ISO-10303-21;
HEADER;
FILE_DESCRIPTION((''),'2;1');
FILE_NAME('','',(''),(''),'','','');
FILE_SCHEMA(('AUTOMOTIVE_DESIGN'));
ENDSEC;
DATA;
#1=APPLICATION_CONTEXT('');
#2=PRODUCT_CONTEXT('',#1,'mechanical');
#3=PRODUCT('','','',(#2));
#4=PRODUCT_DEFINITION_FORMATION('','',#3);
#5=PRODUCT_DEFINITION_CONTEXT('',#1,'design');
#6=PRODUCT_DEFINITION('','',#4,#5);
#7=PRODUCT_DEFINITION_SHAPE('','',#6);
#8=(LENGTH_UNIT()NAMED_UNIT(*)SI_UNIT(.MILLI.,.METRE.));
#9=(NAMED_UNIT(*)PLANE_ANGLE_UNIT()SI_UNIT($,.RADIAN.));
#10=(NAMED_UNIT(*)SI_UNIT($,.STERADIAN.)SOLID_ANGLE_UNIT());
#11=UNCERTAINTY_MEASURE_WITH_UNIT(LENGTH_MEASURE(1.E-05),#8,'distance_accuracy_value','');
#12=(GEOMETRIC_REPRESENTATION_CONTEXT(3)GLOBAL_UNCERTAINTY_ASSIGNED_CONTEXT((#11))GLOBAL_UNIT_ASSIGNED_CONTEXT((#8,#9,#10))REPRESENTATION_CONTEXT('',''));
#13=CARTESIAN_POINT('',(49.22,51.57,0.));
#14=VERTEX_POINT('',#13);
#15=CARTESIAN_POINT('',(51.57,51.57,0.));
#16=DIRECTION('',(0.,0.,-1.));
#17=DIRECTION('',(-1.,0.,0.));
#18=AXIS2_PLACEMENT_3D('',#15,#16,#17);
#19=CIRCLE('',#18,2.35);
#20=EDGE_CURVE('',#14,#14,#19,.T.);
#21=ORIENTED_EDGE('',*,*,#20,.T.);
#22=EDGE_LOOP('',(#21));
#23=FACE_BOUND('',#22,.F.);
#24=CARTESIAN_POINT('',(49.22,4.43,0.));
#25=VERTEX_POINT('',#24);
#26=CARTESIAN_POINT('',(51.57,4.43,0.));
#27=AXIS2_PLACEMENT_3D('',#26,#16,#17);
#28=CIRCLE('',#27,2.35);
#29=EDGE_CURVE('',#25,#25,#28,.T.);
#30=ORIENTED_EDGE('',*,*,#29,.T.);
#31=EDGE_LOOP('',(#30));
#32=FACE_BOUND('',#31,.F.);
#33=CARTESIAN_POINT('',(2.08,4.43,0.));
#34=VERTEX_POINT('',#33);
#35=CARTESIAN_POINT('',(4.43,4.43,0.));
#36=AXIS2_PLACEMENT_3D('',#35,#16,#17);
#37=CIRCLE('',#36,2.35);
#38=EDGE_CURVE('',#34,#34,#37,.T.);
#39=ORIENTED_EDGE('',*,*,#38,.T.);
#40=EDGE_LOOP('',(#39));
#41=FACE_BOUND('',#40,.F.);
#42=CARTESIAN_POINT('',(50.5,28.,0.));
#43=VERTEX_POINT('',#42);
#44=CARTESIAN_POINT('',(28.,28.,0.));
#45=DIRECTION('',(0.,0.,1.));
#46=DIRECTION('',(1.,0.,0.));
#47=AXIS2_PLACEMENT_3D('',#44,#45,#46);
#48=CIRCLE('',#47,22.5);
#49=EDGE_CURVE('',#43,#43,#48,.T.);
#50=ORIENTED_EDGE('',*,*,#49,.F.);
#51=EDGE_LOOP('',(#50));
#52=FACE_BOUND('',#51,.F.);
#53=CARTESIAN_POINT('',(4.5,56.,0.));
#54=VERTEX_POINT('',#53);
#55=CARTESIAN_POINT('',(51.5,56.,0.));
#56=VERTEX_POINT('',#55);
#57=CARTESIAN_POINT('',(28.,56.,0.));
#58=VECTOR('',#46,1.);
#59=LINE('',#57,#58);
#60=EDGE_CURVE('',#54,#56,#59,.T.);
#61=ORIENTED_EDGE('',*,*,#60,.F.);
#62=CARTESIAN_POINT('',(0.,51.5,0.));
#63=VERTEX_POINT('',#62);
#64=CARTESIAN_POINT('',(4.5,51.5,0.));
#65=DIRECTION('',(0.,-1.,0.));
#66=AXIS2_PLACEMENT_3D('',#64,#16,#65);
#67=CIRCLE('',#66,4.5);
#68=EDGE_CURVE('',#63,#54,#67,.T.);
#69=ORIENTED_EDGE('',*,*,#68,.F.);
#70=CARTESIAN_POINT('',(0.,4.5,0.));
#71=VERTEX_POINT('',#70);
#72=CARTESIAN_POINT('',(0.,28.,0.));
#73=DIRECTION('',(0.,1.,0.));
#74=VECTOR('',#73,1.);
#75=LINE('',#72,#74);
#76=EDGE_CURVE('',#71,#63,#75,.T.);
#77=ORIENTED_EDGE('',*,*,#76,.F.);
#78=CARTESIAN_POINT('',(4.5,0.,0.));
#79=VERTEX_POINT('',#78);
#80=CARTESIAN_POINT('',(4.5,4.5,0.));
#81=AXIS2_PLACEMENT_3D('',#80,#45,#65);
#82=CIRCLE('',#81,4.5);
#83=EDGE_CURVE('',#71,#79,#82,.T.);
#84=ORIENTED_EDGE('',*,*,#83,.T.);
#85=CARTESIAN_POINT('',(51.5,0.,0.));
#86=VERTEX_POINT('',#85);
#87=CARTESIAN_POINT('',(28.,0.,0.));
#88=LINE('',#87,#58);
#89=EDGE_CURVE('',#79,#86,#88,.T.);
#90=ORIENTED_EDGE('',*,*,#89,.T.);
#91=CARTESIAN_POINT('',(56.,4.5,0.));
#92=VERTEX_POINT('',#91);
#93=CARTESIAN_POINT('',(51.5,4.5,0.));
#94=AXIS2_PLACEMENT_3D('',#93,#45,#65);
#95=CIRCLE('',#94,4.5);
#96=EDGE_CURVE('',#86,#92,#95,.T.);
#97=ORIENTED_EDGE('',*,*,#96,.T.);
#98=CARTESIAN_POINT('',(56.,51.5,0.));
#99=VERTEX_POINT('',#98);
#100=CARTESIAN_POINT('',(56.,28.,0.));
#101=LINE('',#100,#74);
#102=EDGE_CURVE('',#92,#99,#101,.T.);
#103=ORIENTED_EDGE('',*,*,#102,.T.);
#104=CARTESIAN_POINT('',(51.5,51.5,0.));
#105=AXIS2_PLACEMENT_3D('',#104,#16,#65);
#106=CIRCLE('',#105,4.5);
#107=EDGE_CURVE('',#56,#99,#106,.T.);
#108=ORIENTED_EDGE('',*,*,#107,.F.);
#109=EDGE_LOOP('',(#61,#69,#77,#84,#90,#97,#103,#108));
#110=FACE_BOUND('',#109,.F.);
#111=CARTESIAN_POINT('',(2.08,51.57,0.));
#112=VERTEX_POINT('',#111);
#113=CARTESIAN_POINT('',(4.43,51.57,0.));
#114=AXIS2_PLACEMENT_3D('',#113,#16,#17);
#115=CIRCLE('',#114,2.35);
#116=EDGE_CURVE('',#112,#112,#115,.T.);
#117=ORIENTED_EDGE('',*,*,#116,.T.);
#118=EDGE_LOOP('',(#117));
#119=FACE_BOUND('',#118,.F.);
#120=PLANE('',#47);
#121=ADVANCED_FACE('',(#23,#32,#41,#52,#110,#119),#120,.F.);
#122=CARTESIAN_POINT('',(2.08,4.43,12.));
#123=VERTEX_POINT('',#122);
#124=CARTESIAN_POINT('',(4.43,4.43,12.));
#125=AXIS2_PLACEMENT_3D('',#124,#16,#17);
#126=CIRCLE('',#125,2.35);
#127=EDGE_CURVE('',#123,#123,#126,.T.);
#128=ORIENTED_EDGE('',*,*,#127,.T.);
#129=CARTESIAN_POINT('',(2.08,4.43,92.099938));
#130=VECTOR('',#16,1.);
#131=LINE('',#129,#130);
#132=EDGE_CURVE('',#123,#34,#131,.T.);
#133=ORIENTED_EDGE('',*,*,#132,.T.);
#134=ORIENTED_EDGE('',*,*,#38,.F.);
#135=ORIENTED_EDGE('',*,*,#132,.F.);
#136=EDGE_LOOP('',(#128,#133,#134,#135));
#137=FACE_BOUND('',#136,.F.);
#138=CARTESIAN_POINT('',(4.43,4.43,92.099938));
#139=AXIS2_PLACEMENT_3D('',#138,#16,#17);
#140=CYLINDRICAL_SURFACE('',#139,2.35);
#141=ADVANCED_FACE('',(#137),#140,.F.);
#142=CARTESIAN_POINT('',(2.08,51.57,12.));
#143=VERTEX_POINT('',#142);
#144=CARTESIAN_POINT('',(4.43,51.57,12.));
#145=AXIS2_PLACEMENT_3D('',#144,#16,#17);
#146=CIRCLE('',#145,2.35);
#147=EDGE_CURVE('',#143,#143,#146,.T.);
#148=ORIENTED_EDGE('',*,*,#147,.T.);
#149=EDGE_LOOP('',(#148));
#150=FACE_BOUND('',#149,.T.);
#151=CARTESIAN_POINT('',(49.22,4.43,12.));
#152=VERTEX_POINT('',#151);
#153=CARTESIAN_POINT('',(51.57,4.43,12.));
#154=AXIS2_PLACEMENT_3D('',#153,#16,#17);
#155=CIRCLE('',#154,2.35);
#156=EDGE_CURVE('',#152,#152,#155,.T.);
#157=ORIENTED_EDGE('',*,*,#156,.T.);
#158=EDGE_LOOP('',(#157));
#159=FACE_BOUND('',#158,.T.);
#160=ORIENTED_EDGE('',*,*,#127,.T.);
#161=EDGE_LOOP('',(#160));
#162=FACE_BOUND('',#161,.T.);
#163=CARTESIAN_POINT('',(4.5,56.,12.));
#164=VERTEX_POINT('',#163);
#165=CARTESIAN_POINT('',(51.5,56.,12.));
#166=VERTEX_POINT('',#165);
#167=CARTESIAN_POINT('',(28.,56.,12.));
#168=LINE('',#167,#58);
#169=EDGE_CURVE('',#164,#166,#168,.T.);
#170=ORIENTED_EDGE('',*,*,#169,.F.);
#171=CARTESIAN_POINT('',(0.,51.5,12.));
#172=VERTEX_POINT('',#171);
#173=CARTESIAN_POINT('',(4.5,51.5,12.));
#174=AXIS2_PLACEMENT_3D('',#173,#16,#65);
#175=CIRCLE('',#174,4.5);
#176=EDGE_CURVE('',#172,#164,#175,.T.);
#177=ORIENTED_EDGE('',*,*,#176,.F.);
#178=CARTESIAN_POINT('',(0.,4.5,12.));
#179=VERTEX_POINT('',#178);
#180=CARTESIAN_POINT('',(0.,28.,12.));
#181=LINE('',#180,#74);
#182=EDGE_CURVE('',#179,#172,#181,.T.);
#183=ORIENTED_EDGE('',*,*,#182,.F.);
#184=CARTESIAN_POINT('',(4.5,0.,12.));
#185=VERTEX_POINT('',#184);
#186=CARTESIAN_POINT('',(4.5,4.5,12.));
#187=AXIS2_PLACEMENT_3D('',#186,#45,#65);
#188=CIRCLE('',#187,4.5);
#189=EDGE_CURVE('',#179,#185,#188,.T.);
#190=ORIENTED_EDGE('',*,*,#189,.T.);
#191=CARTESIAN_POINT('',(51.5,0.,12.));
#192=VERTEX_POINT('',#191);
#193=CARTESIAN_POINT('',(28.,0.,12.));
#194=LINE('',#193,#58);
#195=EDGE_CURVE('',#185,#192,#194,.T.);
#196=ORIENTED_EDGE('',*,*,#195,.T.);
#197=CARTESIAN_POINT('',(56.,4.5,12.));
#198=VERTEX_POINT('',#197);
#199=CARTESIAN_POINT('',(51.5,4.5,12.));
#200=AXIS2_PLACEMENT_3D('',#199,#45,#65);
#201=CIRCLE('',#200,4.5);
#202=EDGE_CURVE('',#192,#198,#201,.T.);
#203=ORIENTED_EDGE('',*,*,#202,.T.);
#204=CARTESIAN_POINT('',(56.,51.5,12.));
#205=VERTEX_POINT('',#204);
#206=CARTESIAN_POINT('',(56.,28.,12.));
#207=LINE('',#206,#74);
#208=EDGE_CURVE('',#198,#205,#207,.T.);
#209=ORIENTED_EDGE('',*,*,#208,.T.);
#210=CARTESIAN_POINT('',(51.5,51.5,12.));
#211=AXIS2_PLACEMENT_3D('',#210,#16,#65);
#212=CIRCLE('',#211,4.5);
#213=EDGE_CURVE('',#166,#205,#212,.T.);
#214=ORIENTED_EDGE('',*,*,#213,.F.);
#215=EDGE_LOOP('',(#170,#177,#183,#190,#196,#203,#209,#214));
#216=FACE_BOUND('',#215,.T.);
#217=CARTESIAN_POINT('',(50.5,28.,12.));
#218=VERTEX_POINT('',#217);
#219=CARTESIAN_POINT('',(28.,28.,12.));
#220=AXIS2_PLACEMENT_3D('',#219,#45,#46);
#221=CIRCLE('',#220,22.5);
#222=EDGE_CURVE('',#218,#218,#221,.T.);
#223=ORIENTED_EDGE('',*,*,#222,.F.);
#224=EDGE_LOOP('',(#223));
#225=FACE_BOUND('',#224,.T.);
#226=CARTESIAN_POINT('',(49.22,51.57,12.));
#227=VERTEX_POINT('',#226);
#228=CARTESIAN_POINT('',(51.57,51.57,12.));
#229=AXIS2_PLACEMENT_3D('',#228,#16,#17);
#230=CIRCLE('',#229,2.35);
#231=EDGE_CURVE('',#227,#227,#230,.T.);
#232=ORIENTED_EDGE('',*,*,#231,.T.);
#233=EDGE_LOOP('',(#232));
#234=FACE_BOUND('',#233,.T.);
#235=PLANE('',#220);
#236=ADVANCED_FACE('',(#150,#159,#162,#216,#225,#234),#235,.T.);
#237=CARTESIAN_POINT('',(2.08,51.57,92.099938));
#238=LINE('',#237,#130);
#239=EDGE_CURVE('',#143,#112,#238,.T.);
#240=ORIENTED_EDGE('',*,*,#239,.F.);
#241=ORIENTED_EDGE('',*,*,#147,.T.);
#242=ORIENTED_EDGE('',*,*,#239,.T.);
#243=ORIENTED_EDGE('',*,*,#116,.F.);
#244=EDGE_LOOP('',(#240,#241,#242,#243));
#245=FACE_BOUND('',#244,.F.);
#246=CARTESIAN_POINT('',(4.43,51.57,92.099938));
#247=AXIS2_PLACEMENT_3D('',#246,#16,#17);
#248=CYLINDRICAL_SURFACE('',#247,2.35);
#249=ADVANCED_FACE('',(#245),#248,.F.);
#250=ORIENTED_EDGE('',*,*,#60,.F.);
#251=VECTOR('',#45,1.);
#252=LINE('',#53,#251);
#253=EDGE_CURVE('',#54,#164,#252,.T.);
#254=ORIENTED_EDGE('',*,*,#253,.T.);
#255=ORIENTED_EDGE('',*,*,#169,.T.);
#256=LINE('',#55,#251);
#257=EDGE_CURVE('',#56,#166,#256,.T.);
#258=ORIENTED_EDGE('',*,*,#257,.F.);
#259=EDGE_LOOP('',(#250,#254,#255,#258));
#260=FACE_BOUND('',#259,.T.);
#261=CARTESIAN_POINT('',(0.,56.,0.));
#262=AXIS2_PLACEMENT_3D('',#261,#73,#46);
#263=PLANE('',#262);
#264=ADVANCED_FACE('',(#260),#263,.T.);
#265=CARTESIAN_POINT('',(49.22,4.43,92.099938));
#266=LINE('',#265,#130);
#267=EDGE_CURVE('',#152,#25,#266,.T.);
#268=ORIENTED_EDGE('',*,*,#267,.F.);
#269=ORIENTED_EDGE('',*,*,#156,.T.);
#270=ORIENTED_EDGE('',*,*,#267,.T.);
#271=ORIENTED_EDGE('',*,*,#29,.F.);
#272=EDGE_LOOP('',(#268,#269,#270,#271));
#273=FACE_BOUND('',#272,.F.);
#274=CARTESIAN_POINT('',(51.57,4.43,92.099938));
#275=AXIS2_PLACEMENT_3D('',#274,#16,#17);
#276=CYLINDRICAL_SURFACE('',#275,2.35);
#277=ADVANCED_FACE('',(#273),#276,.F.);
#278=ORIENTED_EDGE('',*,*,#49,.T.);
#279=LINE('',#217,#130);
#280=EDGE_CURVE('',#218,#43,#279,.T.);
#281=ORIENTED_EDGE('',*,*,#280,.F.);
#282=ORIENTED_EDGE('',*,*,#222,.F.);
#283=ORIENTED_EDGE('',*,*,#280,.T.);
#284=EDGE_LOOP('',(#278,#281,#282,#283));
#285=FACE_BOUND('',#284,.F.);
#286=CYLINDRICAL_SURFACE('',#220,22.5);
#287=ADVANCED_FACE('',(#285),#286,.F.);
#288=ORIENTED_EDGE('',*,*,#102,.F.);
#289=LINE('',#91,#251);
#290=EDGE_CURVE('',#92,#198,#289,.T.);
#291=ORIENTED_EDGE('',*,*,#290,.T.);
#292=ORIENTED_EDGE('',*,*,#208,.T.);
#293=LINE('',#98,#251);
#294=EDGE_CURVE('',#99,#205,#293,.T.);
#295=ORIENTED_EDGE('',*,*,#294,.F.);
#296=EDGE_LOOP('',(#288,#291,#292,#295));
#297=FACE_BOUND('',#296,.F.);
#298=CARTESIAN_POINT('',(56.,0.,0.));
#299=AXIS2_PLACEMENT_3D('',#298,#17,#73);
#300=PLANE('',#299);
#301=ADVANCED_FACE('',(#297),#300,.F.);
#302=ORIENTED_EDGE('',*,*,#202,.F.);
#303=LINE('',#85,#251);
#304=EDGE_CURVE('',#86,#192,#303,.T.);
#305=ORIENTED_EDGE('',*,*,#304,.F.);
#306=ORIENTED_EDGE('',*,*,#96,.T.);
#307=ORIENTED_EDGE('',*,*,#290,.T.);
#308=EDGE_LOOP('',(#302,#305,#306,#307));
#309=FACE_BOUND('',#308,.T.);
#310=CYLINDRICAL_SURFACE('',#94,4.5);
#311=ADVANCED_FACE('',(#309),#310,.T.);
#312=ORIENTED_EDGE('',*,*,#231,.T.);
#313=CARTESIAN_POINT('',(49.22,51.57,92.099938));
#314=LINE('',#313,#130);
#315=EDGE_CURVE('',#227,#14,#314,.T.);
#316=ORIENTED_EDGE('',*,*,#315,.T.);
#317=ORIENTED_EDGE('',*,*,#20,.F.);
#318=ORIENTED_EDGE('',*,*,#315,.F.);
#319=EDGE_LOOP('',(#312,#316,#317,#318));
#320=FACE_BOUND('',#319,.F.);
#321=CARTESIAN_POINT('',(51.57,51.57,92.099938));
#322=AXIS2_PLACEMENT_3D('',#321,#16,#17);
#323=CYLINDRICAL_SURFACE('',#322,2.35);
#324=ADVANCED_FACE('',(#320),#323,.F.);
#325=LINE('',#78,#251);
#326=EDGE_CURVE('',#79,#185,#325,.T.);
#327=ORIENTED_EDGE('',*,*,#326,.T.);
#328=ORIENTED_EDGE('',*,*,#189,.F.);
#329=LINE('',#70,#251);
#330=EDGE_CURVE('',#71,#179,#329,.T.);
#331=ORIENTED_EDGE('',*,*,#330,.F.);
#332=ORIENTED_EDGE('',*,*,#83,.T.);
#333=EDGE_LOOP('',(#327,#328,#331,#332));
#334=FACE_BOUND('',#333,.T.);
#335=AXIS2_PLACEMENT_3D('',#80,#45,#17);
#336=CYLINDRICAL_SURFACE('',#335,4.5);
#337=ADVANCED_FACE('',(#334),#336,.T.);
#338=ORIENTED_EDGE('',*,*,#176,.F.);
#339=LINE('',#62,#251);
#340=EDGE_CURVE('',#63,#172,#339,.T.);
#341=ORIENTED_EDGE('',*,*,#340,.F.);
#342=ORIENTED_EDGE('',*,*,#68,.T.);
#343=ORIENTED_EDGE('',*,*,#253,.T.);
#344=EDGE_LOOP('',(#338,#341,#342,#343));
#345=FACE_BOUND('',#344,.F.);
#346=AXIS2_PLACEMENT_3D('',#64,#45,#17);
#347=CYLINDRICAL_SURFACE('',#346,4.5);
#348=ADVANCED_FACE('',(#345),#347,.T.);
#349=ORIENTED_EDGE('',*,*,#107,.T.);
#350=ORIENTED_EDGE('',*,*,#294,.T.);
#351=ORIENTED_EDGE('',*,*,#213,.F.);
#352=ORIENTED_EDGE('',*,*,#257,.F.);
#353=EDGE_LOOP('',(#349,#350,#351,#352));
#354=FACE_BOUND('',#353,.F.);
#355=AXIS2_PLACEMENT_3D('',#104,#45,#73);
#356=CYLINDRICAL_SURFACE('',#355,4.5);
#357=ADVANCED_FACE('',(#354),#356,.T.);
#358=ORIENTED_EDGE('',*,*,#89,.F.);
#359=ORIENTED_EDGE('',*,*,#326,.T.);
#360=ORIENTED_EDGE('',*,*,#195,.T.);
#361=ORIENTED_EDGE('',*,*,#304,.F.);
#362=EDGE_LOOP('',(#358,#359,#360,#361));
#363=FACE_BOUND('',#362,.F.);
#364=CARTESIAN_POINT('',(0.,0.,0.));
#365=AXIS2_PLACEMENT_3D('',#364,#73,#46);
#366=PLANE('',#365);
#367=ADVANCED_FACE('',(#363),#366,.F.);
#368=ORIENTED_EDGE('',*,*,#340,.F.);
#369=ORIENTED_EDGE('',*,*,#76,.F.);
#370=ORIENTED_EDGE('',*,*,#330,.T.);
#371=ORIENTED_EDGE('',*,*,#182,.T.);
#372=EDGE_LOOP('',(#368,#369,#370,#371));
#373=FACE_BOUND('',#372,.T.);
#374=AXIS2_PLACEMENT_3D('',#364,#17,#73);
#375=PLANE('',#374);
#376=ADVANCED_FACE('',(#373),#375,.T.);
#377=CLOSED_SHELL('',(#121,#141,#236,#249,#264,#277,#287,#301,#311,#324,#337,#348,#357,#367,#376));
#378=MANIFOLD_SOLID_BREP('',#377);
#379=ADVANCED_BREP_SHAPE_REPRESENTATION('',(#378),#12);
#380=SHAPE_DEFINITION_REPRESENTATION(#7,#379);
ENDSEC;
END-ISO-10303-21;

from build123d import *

# Parameters (mm, degrees)
F0_W     = 56
F0_H     = 56
F1_DEPTH = 12
F2_R     = 22.5
F3_DEPTH = 12
F5_D     = 4.7
F6_R     = 4.5


with BuildPart() as f1:
    # F0 (on Top) → F1 (new body)
    with BuildSketch(Plane.XY):
        with Locations((28, 28)):
            Rectangle(F0_W, F0_H)
    extrude(amount=F1_DEPTH)

    # F2 (on face) → F3 (cut, through all)
    with BuildSketch(Plane.XY.offset(12)):
        with Locations((28, 28)):
            Circle(F2_R)
    extrude(amount=-F3_DEPTH, mode=Mode.SUBTRACT)

    # F5 (through all)
    with Locations(Plane.XY.offset(12)):
        with Locations((4.43, 51.57), (51.57, 51.57), (51.57, 4.43), (4.43, 4.43)):
            Hole(F5_D / 2)

    # F6
    f6_edges = [f1.edges().sort_by_distance(p)[0] for p in [
        (56, 56, 6),
        (56, 0, 6),
        (0, 0, 6),
        (0, 56, 6),
    ]]
    fillet(f6_edges, radius=F6_R)


solid = f1.part
